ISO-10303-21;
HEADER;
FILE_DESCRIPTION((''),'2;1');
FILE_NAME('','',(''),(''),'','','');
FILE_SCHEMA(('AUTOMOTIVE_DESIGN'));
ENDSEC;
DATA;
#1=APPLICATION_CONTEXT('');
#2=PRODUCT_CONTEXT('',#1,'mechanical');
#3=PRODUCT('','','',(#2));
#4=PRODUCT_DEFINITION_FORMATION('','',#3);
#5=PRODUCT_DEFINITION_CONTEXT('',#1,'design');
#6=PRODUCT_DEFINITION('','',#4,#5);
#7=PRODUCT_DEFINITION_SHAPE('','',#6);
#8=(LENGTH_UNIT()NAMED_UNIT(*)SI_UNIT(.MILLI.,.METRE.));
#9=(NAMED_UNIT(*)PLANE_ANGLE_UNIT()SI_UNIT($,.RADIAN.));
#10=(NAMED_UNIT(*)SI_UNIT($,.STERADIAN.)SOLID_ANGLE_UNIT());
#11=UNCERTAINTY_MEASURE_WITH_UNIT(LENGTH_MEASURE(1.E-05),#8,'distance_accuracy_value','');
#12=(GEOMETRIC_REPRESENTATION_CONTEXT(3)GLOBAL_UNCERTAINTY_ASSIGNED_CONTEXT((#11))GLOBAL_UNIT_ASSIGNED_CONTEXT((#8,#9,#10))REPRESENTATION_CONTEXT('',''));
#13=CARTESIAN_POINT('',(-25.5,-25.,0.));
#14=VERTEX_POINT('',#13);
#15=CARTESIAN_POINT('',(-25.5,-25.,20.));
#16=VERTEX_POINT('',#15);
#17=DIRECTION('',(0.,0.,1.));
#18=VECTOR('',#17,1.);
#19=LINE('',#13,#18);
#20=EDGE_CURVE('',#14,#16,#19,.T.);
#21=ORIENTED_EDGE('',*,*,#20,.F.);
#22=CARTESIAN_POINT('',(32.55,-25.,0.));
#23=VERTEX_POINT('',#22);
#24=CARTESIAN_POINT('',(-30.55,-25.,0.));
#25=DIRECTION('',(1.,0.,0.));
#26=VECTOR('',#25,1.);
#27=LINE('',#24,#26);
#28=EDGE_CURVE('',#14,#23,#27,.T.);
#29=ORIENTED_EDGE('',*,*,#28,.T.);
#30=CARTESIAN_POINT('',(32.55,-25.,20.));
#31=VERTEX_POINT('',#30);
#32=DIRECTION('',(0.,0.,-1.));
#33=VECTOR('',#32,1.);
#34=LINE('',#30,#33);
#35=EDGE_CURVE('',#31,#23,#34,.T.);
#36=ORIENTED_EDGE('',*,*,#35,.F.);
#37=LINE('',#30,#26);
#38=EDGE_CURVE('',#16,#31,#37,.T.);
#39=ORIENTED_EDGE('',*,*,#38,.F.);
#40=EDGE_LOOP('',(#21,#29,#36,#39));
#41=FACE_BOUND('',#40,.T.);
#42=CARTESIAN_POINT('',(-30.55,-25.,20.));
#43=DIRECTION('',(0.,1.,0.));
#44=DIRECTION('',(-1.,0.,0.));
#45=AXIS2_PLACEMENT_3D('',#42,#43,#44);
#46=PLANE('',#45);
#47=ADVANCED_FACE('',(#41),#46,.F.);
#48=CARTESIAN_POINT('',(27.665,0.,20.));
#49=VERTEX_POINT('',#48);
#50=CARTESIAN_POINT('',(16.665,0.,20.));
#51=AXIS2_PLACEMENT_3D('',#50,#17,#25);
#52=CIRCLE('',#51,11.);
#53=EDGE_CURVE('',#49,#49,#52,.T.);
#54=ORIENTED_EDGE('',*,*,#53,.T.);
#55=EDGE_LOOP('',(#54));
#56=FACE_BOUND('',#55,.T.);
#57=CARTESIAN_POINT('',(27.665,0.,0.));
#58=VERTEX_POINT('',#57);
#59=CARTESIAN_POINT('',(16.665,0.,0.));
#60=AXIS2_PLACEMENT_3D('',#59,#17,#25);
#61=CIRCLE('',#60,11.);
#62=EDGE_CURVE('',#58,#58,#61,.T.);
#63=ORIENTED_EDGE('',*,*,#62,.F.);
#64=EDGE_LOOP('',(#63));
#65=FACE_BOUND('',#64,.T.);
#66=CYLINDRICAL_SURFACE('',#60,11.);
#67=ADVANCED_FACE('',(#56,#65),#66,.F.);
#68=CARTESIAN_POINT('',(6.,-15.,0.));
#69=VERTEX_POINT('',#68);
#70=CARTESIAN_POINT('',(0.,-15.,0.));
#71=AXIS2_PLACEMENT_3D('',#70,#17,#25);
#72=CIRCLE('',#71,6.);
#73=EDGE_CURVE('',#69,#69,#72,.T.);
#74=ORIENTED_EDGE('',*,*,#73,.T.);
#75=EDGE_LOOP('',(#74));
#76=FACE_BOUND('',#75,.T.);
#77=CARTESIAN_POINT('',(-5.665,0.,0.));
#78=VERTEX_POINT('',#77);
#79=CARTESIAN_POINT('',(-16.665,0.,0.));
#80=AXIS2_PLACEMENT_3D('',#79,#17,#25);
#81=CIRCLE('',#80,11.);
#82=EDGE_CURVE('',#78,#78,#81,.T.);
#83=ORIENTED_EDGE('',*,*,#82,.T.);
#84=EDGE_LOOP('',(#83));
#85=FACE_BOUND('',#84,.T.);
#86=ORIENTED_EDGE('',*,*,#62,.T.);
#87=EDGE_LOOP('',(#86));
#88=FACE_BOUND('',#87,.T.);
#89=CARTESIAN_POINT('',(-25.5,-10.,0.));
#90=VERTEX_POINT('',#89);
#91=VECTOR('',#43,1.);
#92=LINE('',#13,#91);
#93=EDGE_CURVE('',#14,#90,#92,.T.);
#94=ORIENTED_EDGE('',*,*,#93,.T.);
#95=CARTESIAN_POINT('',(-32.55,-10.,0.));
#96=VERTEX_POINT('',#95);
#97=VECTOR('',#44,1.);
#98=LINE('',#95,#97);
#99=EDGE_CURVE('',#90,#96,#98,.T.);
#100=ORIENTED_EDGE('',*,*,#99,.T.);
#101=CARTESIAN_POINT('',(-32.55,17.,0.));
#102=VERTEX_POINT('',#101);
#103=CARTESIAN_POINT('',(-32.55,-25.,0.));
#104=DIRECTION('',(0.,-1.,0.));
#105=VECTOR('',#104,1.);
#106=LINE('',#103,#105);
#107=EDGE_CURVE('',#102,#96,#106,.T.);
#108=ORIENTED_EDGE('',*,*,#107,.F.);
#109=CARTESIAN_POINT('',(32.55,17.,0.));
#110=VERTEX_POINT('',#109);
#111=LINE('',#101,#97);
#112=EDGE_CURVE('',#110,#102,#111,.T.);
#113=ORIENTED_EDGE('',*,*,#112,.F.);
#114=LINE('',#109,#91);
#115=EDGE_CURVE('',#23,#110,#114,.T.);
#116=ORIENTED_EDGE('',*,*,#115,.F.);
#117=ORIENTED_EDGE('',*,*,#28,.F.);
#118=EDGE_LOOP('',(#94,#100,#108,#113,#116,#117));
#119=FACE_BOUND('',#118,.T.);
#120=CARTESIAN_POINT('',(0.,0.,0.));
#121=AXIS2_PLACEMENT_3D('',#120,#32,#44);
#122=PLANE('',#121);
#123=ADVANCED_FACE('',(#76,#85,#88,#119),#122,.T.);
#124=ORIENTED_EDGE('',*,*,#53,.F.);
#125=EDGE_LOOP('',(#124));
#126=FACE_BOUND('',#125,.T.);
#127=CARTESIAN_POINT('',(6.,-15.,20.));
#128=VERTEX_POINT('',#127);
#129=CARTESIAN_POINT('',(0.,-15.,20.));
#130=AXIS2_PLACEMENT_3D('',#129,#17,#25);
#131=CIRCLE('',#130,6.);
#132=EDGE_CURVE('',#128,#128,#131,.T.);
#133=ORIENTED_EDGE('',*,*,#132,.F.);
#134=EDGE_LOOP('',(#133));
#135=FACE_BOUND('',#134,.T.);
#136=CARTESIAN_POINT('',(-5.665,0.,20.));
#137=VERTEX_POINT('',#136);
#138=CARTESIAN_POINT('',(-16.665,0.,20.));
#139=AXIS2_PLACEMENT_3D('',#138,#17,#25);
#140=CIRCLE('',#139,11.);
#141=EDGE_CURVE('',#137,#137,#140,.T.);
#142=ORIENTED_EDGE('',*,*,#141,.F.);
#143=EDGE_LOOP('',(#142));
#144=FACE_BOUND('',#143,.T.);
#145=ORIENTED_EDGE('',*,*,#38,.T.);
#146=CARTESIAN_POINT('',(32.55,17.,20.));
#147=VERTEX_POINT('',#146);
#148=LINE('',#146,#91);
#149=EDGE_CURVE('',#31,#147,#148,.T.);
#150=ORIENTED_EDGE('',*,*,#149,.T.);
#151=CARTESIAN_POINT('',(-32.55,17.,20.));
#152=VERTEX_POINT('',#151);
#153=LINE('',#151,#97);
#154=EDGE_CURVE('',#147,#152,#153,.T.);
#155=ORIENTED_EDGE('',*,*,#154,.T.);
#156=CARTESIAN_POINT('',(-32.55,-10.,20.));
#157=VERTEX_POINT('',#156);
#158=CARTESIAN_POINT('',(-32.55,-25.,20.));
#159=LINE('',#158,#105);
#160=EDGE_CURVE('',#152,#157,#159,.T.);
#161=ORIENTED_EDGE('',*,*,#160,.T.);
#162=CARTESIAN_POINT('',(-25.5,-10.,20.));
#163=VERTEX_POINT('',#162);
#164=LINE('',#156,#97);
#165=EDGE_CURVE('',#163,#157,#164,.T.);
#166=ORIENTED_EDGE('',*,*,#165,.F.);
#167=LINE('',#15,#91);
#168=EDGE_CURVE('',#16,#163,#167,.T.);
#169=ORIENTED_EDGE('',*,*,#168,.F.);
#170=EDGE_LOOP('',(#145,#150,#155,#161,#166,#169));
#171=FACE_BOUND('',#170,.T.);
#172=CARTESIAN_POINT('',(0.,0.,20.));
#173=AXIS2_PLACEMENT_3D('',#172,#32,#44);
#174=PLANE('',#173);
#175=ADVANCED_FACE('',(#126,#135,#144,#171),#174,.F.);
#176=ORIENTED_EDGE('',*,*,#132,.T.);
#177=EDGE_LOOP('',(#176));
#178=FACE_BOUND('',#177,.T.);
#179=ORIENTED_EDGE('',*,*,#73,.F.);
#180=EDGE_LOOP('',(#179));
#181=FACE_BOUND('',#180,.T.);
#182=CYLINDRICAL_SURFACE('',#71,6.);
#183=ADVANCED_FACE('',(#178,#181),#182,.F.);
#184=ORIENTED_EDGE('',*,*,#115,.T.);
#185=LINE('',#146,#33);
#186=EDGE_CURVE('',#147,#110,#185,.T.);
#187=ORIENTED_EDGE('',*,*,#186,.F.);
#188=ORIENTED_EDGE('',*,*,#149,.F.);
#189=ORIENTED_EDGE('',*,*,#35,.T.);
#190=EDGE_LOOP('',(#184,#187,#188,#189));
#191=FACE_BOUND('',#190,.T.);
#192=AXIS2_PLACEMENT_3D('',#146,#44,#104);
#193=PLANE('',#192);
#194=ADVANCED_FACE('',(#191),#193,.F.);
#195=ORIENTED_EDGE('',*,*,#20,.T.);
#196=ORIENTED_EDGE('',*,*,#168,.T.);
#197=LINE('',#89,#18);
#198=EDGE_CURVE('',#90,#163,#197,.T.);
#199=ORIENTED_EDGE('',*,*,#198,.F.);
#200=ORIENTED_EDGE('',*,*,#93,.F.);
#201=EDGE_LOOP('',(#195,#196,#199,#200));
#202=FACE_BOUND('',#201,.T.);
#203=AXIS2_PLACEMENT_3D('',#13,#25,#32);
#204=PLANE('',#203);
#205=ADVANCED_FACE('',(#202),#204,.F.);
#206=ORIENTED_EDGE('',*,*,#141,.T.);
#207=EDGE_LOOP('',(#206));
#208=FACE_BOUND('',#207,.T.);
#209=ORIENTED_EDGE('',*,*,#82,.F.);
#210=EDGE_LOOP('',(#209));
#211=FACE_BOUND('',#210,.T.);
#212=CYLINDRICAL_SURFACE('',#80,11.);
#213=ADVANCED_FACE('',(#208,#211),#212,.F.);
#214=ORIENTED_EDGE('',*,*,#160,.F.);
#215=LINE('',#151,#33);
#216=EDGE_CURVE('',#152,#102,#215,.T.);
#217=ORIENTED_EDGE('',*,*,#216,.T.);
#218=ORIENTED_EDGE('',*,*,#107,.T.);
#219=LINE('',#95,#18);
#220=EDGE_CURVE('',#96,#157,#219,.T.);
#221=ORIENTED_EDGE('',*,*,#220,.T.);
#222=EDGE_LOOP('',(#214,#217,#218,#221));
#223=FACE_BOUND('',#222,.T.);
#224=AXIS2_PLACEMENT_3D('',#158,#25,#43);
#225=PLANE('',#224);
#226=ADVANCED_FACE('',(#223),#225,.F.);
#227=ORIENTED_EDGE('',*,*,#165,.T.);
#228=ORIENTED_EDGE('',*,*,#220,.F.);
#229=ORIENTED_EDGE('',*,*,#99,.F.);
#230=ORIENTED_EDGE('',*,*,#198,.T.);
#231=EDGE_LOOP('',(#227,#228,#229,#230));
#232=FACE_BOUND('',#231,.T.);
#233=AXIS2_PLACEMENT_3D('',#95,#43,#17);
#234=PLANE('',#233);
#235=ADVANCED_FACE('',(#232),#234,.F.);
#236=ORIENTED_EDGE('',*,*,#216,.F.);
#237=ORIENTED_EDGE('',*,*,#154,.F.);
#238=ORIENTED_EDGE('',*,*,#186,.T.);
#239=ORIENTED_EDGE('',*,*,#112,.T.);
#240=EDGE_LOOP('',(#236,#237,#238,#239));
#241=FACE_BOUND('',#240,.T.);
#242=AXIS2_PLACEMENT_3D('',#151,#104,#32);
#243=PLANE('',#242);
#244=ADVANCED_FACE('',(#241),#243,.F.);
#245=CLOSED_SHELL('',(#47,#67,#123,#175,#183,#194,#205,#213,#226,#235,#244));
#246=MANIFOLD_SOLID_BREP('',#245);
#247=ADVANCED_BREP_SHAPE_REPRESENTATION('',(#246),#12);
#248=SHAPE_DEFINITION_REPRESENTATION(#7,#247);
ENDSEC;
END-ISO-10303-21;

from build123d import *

# Parameters (mm, degrees)
PARALLELEPIPEDOBLOCCO_DEPTH  = 20
SCHIZZO2_R                   = 11
SCHIZZO2_R_2                 = 6
FORITUBIMOTORI_DEPTH         = 46.656352242
SCHIZZO3_W                   = 7.05
SCHIZZO3_H                   = 15
SPAZIOMOVIMENTOLEVETTA_DEPTH = 46.656352242


with BuildPart() as part:
    # Schizzo1 → ParallelepipedoBlocco (new body)
    with BuildSketch(Plane.XY):
        Polygon((-30.55, -25), (30.55, -25), (32.55, -25), (32.55, 17), (-32.55, 17), (-32.55, -25), align=None)
    extrude(amount=PARALLELEPIPEDOBLOCCO_DEPTH)

    # Schizzo2 → ForiTubiMotori (cut, through all)
    with BuildSketch(Plane.XY.offset(20)):
        with Locations((-16.665, 0)):
            Circle(SCHIZZO2_R)
        with Locations((16.665, 0)):
            Circle(SCHIZZO2_R)
        with Locations((0, -15)):
            Circle(SCHIZZO2_R_2)
    extrude(amount=-FORITUBIMOTORI_DEPTH, mode=Mode.SUBTRACT)

    # Schizzo3 → SpazioMovimentoLevetta (cut, through all)
    with BuildSketch(Plane.XY.offset(20)):
        with Locations((-29.025, -17.5)):
            Rectangle(SCHIZZO3_W, SCHIZZO3_H)
    extrude(amount=-SPAZIOMOVIMENTOLEVETTA_DEPTH, mode=Mode.SUBTRACT)


solid = part.part
